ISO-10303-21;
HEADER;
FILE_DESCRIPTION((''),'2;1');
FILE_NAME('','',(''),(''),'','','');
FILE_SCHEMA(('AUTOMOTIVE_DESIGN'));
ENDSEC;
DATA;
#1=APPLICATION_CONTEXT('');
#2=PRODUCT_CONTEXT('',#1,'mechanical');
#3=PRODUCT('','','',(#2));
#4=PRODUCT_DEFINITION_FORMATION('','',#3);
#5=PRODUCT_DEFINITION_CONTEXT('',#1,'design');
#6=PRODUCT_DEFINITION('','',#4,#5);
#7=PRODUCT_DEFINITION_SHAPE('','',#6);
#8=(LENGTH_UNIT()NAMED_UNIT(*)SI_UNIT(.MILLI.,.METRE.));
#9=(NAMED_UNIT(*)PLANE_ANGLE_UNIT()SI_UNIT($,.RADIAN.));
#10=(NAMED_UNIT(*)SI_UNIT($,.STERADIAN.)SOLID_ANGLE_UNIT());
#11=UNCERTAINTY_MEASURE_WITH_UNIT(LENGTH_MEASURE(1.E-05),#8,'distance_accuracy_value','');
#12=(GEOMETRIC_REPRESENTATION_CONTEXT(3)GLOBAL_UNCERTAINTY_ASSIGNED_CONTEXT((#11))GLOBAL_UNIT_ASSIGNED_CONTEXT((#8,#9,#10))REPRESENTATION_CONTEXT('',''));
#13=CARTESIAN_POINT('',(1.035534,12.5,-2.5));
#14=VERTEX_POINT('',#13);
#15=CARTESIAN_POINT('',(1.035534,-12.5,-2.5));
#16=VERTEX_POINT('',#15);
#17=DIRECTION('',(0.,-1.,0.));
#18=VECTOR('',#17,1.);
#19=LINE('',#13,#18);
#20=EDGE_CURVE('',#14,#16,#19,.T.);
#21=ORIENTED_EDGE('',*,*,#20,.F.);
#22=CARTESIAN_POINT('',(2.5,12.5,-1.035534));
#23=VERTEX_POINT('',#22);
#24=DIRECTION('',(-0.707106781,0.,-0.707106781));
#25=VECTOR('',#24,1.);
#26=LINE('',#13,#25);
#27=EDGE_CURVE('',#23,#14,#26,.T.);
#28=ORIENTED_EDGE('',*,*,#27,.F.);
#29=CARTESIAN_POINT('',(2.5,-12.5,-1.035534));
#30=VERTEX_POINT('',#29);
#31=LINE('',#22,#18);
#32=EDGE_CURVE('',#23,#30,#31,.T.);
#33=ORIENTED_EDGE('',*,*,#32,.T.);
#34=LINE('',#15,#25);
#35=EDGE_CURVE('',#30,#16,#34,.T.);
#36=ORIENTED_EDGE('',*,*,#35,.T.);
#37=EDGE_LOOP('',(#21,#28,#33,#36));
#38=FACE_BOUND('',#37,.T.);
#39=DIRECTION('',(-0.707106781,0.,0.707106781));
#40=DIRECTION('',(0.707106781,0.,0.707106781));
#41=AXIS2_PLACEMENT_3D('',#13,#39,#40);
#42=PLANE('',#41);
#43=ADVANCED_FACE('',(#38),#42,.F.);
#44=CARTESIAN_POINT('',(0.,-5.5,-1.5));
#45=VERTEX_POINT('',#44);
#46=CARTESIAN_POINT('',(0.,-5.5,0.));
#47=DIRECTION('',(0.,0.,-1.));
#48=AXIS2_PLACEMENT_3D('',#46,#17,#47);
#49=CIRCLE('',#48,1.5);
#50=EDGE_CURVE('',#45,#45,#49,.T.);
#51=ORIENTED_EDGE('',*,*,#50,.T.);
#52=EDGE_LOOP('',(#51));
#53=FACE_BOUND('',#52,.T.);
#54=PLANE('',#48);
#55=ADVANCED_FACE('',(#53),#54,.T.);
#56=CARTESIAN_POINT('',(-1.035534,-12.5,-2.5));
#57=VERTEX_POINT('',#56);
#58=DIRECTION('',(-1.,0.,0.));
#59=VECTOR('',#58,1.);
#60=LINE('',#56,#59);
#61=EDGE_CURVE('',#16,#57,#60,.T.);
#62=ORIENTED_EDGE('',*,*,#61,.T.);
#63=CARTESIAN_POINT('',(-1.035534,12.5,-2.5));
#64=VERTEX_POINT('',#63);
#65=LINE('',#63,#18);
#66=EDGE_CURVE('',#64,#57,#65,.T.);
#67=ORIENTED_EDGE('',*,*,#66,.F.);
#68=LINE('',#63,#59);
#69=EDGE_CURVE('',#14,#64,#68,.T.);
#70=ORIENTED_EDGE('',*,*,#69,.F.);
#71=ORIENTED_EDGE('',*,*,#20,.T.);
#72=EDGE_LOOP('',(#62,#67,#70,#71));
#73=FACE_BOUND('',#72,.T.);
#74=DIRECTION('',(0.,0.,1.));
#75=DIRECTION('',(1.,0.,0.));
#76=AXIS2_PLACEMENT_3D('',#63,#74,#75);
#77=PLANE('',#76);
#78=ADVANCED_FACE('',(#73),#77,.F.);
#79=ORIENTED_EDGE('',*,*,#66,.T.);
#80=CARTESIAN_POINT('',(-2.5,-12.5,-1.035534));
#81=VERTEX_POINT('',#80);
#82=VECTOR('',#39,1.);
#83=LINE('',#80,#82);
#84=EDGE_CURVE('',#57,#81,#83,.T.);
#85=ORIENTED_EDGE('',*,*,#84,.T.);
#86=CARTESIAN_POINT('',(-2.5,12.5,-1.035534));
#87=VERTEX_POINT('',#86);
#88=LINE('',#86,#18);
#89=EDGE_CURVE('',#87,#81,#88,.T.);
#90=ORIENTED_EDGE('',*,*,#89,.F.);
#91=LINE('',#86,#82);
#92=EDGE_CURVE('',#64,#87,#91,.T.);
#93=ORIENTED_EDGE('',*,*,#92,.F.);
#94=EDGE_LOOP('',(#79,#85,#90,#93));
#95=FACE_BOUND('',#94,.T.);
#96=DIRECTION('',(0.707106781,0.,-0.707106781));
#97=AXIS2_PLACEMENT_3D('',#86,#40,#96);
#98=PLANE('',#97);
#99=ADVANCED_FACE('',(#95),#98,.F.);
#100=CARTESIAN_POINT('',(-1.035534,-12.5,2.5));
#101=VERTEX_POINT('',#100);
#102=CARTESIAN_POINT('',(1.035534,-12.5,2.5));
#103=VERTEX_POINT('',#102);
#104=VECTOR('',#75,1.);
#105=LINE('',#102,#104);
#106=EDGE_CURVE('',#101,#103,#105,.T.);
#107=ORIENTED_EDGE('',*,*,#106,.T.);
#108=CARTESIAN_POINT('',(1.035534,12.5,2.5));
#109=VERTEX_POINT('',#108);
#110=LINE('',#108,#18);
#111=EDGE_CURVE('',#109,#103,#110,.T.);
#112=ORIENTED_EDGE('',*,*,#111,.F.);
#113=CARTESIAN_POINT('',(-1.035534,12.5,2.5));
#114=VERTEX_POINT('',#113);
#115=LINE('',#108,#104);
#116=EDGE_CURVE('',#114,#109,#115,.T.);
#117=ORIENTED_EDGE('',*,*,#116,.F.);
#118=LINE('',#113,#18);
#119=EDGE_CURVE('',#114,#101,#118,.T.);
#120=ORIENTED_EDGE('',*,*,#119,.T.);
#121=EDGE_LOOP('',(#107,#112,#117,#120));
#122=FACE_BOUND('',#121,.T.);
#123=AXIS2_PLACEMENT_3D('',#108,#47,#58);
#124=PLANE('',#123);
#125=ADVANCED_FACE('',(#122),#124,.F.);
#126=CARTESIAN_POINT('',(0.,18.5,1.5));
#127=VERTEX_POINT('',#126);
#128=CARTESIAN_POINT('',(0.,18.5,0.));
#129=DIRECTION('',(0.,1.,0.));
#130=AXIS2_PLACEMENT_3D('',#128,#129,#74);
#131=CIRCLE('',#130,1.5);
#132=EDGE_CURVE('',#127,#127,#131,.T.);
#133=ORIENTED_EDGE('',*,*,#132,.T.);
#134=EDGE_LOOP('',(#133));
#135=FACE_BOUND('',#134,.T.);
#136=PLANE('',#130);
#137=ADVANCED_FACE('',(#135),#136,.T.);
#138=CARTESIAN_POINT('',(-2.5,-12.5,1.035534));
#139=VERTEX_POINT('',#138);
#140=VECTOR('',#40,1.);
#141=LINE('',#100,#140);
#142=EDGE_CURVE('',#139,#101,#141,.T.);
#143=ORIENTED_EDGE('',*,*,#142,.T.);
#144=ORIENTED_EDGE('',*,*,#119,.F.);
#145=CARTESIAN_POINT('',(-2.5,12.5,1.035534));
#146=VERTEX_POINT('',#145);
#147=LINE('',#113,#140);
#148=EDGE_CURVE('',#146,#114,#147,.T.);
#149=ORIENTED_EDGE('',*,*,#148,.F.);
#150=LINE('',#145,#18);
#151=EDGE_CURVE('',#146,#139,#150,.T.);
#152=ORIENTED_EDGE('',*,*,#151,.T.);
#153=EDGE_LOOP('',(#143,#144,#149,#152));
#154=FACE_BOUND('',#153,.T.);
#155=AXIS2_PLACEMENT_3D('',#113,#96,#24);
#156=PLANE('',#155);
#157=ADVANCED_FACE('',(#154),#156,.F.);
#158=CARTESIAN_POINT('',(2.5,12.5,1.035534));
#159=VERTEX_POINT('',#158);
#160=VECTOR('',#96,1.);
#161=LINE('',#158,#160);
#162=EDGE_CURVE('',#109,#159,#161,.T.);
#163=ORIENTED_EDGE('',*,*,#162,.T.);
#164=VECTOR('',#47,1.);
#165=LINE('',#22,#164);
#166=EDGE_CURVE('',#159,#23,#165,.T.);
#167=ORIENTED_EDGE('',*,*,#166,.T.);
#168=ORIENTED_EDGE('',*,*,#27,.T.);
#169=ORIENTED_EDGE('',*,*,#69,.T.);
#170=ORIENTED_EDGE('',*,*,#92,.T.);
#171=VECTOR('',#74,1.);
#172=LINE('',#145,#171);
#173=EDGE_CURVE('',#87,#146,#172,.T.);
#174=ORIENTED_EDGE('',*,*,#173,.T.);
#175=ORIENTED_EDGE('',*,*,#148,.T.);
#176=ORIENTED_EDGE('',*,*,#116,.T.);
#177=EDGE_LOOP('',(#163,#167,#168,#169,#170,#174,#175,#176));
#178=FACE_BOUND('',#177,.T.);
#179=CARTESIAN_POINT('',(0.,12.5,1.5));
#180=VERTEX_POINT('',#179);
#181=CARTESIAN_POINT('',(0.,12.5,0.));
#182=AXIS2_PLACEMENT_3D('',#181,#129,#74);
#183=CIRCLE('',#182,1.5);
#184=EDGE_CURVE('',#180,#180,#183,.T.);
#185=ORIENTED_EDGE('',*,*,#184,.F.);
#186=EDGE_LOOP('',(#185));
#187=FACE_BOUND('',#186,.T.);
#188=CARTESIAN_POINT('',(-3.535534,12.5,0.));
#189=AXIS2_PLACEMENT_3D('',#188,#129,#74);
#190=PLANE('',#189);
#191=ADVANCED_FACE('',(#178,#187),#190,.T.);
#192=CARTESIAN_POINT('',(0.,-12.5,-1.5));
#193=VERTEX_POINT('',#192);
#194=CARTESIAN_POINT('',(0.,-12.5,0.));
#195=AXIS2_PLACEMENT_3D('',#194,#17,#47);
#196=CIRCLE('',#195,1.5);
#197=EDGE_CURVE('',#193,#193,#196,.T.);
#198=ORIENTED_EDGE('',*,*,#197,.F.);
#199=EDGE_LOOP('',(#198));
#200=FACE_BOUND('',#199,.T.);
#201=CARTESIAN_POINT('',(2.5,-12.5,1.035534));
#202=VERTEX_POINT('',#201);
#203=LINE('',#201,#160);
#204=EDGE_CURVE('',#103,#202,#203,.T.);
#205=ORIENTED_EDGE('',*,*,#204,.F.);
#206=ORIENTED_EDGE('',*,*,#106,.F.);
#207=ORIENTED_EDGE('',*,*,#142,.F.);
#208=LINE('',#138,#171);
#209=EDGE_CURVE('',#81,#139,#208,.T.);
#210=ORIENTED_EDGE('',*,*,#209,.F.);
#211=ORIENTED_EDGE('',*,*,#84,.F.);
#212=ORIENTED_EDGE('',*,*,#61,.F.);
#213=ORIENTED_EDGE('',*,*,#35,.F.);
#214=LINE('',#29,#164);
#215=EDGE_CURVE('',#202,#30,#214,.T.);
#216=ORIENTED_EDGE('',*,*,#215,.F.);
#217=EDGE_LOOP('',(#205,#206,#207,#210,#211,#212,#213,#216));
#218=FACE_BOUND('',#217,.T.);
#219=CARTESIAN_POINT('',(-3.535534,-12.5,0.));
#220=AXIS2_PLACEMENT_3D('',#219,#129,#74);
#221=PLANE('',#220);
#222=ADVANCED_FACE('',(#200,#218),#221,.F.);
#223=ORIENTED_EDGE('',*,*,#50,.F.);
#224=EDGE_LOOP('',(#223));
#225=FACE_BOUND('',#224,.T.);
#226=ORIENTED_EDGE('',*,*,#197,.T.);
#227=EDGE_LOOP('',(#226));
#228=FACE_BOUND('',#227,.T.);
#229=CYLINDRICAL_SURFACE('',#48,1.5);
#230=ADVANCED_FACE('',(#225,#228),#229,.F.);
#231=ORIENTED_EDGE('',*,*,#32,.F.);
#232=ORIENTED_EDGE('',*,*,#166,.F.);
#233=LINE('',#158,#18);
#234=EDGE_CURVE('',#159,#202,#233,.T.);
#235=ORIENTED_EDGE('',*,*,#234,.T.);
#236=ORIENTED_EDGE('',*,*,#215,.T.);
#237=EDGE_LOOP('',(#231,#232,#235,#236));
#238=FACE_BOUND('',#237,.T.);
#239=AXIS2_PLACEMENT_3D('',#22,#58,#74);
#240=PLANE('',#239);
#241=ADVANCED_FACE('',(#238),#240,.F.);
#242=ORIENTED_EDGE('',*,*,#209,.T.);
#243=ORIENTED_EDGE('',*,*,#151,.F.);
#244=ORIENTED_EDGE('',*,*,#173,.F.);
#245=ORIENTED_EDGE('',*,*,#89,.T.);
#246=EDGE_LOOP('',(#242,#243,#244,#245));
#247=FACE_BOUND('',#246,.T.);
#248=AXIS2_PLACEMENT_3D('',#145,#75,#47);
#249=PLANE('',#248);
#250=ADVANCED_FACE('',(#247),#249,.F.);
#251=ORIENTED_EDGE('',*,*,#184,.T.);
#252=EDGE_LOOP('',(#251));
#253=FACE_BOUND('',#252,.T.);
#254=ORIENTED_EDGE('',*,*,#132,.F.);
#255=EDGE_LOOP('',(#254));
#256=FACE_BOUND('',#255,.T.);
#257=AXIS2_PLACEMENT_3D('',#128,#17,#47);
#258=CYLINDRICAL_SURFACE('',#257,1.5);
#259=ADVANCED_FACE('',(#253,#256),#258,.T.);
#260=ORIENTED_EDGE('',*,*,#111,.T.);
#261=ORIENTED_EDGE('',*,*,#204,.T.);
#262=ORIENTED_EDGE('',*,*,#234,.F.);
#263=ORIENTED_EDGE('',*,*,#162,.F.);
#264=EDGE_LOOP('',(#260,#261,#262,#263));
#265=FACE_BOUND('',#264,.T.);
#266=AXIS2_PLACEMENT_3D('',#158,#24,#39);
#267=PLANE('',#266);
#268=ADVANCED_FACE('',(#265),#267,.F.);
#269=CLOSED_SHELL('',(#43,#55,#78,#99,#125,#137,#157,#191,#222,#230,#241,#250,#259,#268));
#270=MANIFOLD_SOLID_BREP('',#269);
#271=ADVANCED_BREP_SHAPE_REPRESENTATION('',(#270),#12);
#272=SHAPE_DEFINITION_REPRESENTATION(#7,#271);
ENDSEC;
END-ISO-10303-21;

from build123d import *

# Parameters (mm, degrees)
EXTRUSION1_DEPTH        = 12.5
ESQUISSE2_R             = 1.5
EXTRUSION2_DEPTH        = 6
ESQUISSE3_R             = 1.5
ENL_V_MAT_EXTRU_1_DEPTH = 7


with BuildPart() as part:
    # Esquisse1 → Extrusion1 (new, symmetric)
    with BuildSketch(Plane(origin=(0, 0, 0), x_dir=(1, 0, 0), z_dir=(0, 1, 0))):
        Polygon((-1.035533906, 2.5), (1.035533906, 2.5), (2.5, 1.035533906), (2.5, -1.035533906), (1.035533906, -2.5), (-1.035533906, -2.5), (-2.5, -1.035533906), (-2.5, 1.035533906), align=None)
    extrude(amount=EXTRUSION1_DEPTH, both=True)

    # Esquisse2 → Extrusion2 (add)
    with BuildSketch(Plane(origin=(0, 12.5, 0), x_dir=(1, 0, 0), z_dir=(0, 1, 0))):
        with Locations(Location((0, 0, 0), (0, 0, 270))):
            Circle(ESQUISSE2_R)
    extrude(amount=EXTRUSION2_DEPTH)

    # Esquisse3 → Enlèv. mat.-Extru.1 (cut)
    with BuildSketch(Plane.XZ.offset(12.5)):
        with Locations(Location((0, 0, 0), (0, 0, 90))):
            Circle(ESQUISSE3_R)
    extrude(amount=-ENL_V_MAT_EXTRU_1_DEPTH, mode=Mode.SUBTRACT)


solid = part.part
